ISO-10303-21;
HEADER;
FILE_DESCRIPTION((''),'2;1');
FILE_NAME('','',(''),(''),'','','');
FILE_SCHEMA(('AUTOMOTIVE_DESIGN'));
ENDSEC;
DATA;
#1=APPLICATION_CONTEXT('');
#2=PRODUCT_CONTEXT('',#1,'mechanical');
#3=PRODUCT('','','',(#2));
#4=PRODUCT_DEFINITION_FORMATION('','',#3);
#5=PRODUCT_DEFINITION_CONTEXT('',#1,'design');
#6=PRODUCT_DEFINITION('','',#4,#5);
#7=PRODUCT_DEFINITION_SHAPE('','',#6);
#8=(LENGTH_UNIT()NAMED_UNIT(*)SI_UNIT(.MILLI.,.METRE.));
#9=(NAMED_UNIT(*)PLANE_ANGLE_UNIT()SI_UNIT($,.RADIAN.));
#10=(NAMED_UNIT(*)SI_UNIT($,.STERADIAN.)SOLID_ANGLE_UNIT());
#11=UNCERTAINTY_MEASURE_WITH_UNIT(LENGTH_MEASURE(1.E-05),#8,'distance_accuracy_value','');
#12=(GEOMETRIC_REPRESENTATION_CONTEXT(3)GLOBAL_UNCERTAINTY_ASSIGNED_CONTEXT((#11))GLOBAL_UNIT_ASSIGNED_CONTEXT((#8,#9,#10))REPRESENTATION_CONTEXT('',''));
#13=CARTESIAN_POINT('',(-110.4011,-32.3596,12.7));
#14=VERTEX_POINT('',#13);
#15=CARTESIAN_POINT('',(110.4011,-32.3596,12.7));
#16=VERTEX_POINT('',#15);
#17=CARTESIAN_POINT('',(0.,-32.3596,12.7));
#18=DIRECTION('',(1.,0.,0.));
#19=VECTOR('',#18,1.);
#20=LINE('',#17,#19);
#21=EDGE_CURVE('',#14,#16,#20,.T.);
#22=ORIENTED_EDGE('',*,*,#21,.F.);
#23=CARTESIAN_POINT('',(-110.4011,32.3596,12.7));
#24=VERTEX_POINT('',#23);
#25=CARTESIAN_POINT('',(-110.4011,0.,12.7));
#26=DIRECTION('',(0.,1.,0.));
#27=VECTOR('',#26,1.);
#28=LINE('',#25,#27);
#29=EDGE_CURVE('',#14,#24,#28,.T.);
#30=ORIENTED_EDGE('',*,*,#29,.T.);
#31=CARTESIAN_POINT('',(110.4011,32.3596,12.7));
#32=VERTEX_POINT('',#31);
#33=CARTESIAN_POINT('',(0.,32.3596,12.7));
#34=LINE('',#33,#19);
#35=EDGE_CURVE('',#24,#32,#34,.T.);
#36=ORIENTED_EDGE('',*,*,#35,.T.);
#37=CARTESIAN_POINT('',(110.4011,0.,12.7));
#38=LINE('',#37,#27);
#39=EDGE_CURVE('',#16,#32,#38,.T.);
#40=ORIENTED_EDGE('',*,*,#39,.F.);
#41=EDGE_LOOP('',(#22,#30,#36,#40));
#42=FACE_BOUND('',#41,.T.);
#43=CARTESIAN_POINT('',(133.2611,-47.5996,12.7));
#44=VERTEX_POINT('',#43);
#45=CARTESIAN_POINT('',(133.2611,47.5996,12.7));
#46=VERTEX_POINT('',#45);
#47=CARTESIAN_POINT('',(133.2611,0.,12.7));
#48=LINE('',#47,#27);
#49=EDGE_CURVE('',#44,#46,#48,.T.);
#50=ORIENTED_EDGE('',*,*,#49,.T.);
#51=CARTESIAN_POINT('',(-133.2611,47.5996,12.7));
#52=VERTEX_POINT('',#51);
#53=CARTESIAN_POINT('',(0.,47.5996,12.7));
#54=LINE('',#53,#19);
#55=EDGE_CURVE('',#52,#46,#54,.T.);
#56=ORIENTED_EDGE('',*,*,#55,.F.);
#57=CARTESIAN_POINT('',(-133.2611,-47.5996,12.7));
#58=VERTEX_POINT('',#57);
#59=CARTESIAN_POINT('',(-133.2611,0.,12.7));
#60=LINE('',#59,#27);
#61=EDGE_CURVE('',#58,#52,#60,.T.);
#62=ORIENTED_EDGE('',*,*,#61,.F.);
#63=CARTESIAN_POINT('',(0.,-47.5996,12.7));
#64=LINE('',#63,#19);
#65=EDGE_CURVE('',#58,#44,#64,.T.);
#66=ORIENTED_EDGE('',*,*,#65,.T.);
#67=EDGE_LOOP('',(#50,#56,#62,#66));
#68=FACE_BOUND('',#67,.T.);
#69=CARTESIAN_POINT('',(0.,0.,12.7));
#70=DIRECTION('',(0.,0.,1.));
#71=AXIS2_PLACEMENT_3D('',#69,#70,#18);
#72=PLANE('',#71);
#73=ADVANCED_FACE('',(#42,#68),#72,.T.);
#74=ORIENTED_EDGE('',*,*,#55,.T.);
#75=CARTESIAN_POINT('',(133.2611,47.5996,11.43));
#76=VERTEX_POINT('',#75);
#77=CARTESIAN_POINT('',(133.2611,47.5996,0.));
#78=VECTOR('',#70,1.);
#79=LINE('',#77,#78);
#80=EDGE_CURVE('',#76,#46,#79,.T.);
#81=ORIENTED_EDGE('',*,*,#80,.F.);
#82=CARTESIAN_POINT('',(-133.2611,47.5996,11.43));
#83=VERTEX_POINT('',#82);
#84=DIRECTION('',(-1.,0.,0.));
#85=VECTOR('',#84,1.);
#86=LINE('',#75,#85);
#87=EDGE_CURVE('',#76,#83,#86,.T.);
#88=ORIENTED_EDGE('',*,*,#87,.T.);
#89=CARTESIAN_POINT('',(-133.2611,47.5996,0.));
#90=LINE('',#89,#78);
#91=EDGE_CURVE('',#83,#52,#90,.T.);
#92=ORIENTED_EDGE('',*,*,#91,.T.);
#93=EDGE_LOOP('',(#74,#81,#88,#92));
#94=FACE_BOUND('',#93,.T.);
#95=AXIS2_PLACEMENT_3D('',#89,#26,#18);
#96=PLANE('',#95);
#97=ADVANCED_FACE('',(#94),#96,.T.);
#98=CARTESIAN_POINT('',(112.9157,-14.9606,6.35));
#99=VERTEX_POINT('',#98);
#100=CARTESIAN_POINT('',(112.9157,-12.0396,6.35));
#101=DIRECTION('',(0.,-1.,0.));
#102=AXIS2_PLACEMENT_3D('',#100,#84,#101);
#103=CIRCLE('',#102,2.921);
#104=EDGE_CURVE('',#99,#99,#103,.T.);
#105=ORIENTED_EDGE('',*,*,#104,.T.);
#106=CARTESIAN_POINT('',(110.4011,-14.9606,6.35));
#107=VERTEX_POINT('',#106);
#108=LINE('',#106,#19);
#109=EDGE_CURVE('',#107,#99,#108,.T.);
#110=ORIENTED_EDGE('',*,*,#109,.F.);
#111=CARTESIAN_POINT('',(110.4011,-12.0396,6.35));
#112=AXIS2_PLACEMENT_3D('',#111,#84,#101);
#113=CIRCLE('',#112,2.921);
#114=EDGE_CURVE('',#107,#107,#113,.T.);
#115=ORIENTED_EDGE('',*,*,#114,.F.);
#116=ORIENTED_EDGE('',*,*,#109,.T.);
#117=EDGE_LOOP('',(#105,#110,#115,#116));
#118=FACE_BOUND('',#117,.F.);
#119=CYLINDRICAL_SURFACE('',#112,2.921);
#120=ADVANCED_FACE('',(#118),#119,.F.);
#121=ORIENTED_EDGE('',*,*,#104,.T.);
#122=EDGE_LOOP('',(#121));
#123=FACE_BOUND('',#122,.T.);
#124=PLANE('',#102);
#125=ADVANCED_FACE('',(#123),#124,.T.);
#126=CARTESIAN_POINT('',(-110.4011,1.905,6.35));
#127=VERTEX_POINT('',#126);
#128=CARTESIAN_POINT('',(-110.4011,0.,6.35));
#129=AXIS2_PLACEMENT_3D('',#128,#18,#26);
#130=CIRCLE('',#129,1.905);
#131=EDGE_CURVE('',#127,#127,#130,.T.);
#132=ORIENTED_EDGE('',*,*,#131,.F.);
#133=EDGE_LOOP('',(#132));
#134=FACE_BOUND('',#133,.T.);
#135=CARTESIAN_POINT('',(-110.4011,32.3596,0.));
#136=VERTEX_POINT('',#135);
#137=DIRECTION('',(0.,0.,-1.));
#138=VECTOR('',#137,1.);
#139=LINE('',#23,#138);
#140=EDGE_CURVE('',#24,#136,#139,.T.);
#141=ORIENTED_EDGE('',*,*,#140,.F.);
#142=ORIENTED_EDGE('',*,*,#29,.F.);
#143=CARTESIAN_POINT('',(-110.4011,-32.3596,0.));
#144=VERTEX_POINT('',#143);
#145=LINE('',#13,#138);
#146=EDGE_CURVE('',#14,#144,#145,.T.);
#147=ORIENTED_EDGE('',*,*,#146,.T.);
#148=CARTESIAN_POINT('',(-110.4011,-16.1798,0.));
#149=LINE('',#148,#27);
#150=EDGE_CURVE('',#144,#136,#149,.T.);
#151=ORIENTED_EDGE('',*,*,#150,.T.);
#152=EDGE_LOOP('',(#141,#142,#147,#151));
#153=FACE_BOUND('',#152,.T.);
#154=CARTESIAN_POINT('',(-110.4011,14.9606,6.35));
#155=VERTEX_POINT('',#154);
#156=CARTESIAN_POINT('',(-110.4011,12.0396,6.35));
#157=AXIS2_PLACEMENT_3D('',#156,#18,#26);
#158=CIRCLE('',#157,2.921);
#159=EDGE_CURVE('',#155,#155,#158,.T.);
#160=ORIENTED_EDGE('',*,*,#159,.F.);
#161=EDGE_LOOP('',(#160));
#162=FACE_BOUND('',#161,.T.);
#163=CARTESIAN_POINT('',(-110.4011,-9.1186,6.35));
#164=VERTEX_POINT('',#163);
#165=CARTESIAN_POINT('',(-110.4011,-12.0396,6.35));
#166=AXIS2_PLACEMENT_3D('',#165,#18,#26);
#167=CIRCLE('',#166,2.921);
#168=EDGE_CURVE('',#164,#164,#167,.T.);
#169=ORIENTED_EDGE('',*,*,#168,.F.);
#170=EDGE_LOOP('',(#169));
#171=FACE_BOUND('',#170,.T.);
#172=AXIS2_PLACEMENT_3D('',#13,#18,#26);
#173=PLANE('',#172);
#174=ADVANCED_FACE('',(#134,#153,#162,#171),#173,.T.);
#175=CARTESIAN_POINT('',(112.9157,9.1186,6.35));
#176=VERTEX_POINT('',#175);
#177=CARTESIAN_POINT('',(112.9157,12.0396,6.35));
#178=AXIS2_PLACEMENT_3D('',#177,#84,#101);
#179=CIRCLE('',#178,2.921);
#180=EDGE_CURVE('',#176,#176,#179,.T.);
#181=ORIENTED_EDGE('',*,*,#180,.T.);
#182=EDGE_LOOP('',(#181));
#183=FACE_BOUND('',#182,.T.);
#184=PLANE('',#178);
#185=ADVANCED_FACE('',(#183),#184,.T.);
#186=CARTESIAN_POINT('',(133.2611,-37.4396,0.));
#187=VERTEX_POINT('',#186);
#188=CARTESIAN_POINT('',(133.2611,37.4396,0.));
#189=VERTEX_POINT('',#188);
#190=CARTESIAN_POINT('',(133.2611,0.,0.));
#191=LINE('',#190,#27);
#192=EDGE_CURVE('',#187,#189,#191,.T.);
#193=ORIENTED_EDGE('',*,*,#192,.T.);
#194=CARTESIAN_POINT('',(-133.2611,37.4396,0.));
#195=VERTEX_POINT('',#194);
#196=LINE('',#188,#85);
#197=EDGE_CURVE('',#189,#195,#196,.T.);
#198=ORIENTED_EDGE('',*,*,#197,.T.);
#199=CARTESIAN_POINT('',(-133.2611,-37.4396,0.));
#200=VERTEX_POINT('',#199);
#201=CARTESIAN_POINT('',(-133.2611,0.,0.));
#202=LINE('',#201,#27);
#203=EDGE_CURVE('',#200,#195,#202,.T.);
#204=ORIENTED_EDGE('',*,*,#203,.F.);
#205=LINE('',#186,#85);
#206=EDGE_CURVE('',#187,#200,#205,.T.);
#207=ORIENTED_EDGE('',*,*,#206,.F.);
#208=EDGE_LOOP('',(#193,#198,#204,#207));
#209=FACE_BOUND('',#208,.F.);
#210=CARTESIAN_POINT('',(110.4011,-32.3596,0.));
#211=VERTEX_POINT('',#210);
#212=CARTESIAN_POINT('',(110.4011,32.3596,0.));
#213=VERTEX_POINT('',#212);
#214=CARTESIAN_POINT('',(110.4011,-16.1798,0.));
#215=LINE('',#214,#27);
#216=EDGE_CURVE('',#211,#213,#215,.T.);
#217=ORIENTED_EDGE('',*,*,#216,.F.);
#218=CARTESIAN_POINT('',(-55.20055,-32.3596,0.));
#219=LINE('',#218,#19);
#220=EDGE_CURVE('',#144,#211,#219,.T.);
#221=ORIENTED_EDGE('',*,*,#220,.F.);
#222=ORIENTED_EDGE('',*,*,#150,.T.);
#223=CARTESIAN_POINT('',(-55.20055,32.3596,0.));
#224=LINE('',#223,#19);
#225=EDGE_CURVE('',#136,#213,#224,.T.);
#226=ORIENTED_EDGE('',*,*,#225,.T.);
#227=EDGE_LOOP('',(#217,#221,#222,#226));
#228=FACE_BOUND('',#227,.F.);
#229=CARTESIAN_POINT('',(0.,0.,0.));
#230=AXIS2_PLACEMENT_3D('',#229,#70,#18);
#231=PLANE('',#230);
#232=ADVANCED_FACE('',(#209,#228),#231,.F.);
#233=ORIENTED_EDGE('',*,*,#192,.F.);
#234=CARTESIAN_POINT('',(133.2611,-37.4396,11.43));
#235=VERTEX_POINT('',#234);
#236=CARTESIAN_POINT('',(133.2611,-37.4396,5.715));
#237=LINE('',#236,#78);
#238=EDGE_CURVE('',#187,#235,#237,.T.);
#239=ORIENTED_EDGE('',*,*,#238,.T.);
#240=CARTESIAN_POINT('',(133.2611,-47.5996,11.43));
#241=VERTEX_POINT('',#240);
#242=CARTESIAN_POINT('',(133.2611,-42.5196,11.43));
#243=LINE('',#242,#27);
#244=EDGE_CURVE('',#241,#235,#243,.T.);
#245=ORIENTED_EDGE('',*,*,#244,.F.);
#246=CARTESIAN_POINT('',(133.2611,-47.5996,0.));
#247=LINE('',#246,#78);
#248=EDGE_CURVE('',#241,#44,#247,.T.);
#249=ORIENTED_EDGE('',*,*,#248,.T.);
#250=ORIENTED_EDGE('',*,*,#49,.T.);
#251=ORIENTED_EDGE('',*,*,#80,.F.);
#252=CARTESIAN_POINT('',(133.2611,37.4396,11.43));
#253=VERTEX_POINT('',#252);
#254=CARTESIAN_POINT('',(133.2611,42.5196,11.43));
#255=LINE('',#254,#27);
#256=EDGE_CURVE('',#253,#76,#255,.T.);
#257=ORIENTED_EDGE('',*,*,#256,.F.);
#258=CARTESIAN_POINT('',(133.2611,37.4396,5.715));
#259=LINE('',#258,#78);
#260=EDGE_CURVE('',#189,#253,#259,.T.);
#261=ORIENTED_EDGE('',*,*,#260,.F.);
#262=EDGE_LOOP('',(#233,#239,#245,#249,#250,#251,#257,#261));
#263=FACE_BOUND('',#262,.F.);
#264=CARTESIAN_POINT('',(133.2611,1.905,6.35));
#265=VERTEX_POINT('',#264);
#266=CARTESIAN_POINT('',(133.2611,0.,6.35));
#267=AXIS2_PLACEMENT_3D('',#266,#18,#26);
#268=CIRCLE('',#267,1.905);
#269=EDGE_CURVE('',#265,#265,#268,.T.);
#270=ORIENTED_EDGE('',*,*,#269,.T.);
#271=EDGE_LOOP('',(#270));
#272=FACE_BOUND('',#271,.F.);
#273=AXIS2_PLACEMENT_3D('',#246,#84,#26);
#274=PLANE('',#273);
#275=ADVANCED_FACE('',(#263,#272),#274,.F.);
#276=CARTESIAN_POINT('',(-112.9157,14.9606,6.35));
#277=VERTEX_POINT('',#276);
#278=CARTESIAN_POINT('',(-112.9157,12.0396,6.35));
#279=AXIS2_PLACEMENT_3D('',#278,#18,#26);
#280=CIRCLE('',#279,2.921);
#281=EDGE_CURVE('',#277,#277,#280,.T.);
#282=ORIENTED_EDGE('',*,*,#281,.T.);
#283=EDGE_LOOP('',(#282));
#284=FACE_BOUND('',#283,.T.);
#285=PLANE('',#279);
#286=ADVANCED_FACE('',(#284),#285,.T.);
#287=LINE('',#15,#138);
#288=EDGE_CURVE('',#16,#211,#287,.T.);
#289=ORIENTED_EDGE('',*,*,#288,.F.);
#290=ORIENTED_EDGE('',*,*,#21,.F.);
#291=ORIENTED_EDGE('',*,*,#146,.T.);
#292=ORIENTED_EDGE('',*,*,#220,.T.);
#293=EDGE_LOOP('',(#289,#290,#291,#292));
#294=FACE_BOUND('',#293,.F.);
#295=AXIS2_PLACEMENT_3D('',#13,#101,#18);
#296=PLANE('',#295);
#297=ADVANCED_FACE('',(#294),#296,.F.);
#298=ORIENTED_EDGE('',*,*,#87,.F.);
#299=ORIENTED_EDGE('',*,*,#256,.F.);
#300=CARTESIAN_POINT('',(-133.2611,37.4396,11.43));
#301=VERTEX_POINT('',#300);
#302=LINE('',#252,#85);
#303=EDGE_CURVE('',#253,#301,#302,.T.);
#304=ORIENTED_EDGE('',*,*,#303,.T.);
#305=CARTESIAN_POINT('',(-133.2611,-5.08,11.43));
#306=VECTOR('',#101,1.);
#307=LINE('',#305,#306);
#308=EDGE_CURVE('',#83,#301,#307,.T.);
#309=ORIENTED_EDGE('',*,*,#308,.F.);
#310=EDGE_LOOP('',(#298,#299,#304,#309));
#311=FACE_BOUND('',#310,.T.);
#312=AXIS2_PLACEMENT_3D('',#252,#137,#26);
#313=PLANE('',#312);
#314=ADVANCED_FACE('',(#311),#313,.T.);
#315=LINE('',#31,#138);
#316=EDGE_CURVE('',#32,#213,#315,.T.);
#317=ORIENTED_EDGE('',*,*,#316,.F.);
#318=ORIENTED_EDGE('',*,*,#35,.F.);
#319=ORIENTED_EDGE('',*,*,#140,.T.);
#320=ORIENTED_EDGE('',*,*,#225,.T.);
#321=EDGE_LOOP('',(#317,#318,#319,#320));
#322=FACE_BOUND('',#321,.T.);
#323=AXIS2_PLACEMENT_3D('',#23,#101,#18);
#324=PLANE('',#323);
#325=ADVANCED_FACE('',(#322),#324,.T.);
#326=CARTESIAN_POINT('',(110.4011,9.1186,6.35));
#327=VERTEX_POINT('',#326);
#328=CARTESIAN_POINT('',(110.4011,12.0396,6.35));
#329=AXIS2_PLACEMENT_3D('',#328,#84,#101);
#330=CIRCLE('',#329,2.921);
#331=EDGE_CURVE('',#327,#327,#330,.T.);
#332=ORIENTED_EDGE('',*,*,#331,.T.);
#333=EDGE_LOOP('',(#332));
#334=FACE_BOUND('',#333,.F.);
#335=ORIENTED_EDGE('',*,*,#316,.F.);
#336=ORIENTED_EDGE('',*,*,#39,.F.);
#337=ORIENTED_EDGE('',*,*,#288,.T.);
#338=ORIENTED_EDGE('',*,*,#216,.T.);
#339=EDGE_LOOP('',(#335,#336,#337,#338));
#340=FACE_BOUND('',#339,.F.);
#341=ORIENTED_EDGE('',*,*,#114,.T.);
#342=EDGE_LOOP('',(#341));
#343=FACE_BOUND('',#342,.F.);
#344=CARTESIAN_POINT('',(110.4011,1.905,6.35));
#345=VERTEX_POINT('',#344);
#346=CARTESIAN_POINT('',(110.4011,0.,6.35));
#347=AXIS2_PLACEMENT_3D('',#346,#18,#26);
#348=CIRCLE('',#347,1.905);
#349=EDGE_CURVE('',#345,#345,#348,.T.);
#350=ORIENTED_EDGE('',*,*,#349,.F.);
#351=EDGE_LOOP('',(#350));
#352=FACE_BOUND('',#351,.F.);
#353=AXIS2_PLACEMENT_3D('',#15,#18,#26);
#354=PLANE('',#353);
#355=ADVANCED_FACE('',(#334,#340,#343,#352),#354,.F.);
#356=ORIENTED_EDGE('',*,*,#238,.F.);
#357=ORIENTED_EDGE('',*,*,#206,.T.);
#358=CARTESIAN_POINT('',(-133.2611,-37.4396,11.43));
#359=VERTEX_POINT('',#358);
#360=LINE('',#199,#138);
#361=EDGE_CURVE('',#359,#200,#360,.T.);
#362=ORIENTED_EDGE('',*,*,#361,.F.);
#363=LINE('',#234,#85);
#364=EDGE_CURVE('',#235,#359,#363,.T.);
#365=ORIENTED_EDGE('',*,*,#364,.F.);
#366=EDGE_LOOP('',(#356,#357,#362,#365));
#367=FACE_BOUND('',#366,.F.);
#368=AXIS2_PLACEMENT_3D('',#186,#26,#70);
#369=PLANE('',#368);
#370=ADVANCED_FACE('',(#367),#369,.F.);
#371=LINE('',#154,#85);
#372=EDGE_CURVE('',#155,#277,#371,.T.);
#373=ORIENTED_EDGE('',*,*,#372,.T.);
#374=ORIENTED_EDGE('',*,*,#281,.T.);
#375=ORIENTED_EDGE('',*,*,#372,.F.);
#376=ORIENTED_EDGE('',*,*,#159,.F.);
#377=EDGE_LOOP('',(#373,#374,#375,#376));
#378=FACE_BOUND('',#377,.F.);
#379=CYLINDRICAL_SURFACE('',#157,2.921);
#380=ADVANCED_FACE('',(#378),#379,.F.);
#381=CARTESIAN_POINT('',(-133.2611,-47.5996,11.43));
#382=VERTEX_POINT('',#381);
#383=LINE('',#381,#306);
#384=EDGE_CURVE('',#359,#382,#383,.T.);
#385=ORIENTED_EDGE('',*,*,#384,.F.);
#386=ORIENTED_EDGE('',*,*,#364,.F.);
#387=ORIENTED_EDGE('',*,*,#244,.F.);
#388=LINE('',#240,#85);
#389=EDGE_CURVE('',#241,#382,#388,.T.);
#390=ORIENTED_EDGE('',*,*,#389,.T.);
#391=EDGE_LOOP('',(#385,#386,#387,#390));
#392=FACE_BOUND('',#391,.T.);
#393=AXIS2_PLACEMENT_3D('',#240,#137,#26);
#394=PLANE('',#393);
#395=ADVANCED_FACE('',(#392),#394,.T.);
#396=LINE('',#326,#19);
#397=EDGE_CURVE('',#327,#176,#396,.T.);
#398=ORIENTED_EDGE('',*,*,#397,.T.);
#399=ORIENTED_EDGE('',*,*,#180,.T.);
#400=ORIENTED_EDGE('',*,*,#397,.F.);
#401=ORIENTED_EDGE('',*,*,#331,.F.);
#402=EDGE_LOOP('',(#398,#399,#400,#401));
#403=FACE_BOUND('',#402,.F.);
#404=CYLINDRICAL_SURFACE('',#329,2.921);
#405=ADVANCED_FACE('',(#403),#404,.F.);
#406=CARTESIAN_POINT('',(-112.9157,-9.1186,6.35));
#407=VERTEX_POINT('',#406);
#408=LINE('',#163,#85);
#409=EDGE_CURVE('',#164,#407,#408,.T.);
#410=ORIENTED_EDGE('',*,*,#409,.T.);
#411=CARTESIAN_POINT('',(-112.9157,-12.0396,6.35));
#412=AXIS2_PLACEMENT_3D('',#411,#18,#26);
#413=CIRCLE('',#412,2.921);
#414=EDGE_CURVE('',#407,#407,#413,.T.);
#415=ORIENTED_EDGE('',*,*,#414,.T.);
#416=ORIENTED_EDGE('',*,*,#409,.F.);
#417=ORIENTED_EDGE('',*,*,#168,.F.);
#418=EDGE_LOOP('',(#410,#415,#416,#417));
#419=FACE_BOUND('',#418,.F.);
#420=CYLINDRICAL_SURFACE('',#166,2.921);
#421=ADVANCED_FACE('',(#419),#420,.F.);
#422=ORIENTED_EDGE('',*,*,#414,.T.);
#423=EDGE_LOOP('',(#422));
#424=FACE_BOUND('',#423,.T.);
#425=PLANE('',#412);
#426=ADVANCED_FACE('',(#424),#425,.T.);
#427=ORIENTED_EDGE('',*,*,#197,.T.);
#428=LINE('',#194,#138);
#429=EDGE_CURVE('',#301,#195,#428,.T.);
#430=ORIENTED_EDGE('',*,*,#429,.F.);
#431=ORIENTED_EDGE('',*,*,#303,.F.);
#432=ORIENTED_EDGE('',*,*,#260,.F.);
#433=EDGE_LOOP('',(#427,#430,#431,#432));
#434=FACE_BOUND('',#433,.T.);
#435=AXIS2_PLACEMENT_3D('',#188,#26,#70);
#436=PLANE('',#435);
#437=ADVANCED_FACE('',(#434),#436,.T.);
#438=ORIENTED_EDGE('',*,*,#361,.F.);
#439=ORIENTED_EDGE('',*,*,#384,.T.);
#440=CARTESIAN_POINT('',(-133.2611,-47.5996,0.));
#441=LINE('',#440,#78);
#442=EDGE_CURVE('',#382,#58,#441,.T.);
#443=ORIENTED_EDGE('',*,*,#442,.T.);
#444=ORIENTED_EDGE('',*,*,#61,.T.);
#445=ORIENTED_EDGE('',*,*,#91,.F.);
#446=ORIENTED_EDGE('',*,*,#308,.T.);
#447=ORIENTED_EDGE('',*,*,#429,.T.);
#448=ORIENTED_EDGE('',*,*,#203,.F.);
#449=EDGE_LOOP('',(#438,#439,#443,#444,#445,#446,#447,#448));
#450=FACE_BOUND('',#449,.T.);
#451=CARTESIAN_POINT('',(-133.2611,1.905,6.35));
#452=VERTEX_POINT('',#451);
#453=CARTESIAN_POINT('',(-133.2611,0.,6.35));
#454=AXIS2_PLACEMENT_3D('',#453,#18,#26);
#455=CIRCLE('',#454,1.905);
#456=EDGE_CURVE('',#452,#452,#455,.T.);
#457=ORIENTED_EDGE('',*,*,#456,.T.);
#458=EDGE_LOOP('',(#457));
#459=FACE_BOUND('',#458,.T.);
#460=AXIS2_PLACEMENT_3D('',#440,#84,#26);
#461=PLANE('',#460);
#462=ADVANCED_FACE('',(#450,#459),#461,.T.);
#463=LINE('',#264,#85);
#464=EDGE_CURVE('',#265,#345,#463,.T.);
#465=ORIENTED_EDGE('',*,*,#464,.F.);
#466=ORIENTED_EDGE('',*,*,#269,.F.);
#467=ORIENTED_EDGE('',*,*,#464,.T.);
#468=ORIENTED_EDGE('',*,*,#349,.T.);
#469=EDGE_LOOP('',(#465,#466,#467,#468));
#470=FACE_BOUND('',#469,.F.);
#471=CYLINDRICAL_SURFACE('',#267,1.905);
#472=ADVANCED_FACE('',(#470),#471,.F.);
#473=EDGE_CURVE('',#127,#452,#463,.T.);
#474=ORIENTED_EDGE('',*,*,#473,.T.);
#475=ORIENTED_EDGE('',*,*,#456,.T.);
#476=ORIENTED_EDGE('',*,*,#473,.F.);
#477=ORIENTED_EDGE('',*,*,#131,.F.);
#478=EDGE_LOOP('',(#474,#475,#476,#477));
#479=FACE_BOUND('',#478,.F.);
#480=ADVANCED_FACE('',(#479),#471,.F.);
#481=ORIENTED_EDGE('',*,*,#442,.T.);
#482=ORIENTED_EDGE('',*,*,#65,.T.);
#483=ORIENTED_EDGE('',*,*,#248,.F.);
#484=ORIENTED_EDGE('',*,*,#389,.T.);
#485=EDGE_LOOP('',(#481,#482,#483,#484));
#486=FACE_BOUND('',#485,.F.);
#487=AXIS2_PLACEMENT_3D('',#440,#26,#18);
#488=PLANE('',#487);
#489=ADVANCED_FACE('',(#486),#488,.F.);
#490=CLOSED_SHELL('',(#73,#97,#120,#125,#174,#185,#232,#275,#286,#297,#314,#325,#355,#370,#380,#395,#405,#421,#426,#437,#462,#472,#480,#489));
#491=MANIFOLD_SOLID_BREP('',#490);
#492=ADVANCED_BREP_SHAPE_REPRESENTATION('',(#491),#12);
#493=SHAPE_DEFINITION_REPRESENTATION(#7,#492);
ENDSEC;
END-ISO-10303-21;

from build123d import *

# Parameters (mm, degrees)
F0_W      = 266.5222
F0_H      = 95.1992
F1_DEPTH  = 12.7
F2_W      = 220.8022
F2_H      = 64.7192
F2_W_2    = 215.7222
F2_H_2    = 44.3992
F3_DEPTH  = 25.4
F4_R      = 1.905
F5_DEPTH  = 508
F6_R      = 2.921
F7_DEPTH  = 2.5146
F8_R      = 2.921
F9_DEPTH  = 2.5146
F10_W     = 10.16
F10_H     = 11.43
F11_DEPTH = 508


with BuildPart() as f1:
    # F0 (on Top) → F1 (new body)
    with BuildSketch(Plane.XY):
        Rectangle(F0_W, F0_H)
    extrude(amount=F1_DEPTH)

    # F2 (on face) → F3 (cut)
    with BuildSketch(Plane.XY.offset(12.7)):
        Rectangle(F2_W, F2_H)
        Rectangle(F2_W_2, F2_H_2, mode=Mode.SUBTRACT)
        Rectangle(F2_W_2, F2_H_2)
    extrude(amount=-F3_DEPTH, mode=Mode.SUBTRACT)

    # F4 (on face) → F5 (cut)
    with BuildSketch(Plane.YZ.offset(133.2611)):
        with Locations((0, 6.35)):
            Circle(F4_R)
    extrude(amount=-F5_DEPTH, mode=Mode.SUBTRACT)

    # F6 (on face) → F7 (cut)
    with BuildSketch(Plane.YZ.offset(-110.4011)):
        with Locations((-12.0396, 6.35)):
            Circle(F6_R)
        with Locations((12.0396, 6.35)):
            Circle(F6_R)
    extrude(amount=-F7_DEPTH, mode=Mode.SUBTRACT)

    # F8 (on face) → F9 (cut)
    with BuildSketch(Plane(origin=(110.4011, 0, 0), x_dir=(0, -1, 0), z_dir=(-1, 0, 0))):
        with Locations((-12.0396, 6.35)):
            Circle(F8_R)
        with Locations((12.0396, 6.35)):
            Circle(F8_R)
    extrude(amount=-F9_DEPTH, mode=Mode.SUBTRACT)

    # F10 (on face) → F11 (cut)
    with BuildSketch(Plane.YZ.offset(133.2611)):
        with Locations((-42.5196, 5.715)):
            Rectangle(F10_W, F10_H)
        with Locations((42.5196, 5.715)):
            Rectangle(F10_W, F10_H)
    extrude(amount=-F11_DEPTH, mode=Mode.SUBTRACT)


solid = f1.part
